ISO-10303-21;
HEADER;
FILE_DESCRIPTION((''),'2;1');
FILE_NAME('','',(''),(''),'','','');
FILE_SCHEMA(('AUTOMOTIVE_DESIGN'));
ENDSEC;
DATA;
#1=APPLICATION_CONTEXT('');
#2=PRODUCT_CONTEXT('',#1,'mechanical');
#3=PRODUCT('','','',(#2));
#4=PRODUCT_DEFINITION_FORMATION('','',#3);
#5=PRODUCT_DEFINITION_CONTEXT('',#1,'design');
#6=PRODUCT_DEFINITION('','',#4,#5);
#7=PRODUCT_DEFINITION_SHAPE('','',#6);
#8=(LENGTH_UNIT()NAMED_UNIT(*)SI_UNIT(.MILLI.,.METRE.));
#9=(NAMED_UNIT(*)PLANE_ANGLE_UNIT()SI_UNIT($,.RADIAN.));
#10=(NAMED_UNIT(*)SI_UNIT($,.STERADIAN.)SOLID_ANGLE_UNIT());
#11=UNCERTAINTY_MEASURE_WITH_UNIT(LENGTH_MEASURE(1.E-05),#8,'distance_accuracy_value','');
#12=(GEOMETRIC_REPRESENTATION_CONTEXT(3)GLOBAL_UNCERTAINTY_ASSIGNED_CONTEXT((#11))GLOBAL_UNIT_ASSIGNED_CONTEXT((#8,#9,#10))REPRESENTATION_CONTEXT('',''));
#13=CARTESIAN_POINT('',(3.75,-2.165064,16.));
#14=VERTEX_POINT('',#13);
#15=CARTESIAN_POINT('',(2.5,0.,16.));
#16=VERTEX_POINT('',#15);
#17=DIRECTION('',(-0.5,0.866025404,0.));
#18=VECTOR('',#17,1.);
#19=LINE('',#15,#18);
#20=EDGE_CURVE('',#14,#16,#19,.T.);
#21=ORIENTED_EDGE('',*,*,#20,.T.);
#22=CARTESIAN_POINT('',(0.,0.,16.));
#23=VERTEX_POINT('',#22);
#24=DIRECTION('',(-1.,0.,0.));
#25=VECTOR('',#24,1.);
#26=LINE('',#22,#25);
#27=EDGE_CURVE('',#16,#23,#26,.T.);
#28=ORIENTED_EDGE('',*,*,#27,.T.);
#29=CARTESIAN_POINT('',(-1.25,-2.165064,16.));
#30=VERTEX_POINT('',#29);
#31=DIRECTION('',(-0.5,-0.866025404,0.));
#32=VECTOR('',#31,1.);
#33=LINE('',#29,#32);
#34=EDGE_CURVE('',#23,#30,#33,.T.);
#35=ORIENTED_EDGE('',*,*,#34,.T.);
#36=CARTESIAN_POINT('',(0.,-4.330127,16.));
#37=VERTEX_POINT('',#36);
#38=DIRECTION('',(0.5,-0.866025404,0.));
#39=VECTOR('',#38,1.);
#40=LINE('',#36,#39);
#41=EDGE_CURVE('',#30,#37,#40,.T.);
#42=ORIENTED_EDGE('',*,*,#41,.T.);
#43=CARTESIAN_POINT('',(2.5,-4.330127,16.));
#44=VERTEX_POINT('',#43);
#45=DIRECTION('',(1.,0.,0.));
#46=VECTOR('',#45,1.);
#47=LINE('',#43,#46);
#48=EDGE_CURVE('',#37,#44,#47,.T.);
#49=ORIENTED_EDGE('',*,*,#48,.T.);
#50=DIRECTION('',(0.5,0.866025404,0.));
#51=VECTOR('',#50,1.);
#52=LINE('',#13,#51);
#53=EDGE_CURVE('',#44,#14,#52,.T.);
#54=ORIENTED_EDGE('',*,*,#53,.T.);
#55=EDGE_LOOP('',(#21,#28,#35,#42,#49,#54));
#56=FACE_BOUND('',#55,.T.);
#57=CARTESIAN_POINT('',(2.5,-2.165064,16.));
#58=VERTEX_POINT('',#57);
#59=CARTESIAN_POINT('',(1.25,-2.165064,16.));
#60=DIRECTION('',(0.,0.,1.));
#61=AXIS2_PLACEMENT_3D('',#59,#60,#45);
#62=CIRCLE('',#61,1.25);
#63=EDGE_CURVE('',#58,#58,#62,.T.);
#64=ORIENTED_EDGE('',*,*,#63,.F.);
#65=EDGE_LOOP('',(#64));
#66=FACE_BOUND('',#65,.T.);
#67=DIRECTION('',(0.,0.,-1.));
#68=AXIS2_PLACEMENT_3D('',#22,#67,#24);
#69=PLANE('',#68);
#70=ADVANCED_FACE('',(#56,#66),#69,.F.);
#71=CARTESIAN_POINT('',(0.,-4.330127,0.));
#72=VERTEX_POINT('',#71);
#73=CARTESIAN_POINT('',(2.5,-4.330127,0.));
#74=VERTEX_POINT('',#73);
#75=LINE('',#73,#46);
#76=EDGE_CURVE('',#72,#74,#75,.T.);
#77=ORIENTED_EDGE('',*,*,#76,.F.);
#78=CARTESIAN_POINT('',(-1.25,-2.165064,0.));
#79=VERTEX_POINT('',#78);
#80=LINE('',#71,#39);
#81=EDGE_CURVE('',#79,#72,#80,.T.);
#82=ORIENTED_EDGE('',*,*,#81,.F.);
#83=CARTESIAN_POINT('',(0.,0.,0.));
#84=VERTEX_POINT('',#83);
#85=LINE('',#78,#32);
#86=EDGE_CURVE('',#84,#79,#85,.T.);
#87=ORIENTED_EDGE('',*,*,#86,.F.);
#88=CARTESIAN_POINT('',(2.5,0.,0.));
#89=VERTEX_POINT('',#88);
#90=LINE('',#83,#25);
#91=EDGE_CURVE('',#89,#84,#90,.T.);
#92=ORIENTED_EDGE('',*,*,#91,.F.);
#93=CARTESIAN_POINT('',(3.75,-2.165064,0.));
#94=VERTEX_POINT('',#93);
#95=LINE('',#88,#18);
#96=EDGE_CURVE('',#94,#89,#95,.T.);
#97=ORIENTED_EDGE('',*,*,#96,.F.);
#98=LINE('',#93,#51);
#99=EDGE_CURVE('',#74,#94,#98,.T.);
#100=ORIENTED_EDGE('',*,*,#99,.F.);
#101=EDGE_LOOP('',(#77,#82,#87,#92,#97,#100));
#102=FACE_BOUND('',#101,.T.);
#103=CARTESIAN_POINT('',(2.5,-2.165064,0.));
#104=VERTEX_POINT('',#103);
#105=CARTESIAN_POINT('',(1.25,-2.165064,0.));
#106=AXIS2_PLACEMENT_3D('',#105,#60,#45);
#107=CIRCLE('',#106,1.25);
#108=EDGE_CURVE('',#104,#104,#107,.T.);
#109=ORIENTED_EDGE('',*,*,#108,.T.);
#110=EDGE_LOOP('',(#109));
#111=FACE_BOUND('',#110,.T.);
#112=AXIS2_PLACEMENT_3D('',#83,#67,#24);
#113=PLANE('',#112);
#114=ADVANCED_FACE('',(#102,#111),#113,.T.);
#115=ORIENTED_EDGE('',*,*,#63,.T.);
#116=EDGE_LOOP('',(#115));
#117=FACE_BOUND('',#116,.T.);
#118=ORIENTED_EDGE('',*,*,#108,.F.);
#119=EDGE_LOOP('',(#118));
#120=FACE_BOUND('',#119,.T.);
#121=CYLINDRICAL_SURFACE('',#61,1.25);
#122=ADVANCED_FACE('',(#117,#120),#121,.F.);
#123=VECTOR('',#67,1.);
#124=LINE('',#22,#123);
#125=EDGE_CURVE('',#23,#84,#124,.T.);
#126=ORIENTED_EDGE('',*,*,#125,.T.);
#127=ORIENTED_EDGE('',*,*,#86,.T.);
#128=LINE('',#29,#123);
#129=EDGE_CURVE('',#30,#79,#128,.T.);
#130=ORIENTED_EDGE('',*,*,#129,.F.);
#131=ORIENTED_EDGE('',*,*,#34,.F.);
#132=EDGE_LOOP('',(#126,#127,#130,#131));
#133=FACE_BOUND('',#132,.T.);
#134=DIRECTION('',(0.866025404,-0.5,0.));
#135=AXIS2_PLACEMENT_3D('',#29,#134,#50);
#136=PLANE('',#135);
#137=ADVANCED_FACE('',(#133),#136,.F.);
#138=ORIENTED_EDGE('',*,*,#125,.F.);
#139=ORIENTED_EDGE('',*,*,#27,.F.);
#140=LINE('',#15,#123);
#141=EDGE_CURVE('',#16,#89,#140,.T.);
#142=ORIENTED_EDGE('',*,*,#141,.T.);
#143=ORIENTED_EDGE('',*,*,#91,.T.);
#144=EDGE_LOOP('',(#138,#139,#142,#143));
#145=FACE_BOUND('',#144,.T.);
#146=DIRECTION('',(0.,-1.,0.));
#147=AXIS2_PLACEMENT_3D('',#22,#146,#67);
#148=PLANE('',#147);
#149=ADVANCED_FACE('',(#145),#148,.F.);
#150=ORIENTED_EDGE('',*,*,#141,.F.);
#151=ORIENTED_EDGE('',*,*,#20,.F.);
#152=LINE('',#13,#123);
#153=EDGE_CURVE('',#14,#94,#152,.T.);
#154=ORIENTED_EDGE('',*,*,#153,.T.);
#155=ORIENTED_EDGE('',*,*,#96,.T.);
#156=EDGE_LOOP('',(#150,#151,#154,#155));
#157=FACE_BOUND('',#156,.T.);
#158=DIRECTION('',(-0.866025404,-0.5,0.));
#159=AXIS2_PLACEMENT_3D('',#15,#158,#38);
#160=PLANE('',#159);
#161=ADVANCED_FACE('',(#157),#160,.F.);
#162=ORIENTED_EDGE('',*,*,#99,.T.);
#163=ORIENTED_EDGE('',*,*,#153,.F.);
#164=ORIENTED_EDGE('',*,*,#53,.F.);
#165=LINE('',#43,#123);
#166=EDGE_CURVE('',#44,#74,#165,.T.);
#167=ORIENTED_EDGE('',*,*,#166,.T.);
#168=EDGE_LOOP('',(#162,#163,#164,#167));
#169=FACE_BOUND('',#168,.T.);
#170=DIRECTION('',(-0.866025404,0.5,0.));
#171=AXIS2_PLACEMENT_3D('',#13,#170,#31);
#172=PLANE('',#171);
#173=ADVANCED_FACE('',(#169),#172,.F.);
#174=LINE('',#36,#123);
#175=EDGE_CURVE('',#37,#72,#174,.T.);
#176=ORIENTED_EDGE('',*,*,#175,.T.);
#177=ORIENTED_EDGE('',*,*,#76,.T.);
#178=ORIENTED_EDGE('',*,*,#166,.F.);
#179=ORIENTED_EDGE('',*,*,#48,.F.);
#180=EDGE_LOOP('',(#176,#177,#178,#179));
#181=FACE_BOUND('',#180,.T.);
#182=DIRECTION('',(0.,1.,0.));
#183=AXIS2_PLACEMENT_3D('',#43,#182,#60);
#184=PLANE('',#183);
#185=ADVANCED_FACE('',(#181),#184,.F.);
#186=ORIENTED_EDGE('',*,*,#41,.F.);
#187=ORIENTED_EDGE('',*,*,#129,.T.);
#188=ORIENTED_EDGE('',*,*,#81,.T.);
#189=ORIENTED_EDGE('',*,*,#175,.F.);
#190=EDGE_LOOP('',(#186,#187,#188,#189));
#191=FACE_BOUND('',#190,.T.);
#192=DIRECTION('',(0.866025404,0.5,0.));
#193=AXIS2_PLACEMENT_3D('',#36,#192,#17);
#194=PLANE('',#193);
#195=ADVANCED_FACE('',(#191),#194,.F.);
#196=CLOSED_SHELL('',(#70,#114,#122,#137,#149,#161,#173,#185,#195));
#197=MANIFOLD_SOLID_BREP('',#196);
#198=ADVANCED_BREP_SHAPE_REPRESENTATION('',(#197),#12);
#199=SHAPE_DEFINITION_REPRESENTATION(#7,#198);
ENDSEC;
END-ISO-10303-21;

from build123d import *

# Parameters (mm, degrees)
EXTRUDE_1_DEPTH    = 16
HOLE_WIZARD_M3_1_D = 2.5


with BuildPart() as part:
    # 草图1 → 凸台-拉伸1 (new body)
    with BuildSketch(Plane.XY):
        Polygon((0, 0), (2.5, 0), (3.75, -2.165063509), (2.5, -4.330127019), (0, -4.330127019), (-1.25, -2.165063509), align=None)
    extrude(amount=EXTRUDE_1_DEPTH)

    # M3 螺纹孔1 (through all)
    with Locations(Plane.XY.offset(16)):
        with Locations((1.25, -2.165063509)):
            Hole(HOLE_WIZARD_M3_1_D / 2)


solid = part.part
